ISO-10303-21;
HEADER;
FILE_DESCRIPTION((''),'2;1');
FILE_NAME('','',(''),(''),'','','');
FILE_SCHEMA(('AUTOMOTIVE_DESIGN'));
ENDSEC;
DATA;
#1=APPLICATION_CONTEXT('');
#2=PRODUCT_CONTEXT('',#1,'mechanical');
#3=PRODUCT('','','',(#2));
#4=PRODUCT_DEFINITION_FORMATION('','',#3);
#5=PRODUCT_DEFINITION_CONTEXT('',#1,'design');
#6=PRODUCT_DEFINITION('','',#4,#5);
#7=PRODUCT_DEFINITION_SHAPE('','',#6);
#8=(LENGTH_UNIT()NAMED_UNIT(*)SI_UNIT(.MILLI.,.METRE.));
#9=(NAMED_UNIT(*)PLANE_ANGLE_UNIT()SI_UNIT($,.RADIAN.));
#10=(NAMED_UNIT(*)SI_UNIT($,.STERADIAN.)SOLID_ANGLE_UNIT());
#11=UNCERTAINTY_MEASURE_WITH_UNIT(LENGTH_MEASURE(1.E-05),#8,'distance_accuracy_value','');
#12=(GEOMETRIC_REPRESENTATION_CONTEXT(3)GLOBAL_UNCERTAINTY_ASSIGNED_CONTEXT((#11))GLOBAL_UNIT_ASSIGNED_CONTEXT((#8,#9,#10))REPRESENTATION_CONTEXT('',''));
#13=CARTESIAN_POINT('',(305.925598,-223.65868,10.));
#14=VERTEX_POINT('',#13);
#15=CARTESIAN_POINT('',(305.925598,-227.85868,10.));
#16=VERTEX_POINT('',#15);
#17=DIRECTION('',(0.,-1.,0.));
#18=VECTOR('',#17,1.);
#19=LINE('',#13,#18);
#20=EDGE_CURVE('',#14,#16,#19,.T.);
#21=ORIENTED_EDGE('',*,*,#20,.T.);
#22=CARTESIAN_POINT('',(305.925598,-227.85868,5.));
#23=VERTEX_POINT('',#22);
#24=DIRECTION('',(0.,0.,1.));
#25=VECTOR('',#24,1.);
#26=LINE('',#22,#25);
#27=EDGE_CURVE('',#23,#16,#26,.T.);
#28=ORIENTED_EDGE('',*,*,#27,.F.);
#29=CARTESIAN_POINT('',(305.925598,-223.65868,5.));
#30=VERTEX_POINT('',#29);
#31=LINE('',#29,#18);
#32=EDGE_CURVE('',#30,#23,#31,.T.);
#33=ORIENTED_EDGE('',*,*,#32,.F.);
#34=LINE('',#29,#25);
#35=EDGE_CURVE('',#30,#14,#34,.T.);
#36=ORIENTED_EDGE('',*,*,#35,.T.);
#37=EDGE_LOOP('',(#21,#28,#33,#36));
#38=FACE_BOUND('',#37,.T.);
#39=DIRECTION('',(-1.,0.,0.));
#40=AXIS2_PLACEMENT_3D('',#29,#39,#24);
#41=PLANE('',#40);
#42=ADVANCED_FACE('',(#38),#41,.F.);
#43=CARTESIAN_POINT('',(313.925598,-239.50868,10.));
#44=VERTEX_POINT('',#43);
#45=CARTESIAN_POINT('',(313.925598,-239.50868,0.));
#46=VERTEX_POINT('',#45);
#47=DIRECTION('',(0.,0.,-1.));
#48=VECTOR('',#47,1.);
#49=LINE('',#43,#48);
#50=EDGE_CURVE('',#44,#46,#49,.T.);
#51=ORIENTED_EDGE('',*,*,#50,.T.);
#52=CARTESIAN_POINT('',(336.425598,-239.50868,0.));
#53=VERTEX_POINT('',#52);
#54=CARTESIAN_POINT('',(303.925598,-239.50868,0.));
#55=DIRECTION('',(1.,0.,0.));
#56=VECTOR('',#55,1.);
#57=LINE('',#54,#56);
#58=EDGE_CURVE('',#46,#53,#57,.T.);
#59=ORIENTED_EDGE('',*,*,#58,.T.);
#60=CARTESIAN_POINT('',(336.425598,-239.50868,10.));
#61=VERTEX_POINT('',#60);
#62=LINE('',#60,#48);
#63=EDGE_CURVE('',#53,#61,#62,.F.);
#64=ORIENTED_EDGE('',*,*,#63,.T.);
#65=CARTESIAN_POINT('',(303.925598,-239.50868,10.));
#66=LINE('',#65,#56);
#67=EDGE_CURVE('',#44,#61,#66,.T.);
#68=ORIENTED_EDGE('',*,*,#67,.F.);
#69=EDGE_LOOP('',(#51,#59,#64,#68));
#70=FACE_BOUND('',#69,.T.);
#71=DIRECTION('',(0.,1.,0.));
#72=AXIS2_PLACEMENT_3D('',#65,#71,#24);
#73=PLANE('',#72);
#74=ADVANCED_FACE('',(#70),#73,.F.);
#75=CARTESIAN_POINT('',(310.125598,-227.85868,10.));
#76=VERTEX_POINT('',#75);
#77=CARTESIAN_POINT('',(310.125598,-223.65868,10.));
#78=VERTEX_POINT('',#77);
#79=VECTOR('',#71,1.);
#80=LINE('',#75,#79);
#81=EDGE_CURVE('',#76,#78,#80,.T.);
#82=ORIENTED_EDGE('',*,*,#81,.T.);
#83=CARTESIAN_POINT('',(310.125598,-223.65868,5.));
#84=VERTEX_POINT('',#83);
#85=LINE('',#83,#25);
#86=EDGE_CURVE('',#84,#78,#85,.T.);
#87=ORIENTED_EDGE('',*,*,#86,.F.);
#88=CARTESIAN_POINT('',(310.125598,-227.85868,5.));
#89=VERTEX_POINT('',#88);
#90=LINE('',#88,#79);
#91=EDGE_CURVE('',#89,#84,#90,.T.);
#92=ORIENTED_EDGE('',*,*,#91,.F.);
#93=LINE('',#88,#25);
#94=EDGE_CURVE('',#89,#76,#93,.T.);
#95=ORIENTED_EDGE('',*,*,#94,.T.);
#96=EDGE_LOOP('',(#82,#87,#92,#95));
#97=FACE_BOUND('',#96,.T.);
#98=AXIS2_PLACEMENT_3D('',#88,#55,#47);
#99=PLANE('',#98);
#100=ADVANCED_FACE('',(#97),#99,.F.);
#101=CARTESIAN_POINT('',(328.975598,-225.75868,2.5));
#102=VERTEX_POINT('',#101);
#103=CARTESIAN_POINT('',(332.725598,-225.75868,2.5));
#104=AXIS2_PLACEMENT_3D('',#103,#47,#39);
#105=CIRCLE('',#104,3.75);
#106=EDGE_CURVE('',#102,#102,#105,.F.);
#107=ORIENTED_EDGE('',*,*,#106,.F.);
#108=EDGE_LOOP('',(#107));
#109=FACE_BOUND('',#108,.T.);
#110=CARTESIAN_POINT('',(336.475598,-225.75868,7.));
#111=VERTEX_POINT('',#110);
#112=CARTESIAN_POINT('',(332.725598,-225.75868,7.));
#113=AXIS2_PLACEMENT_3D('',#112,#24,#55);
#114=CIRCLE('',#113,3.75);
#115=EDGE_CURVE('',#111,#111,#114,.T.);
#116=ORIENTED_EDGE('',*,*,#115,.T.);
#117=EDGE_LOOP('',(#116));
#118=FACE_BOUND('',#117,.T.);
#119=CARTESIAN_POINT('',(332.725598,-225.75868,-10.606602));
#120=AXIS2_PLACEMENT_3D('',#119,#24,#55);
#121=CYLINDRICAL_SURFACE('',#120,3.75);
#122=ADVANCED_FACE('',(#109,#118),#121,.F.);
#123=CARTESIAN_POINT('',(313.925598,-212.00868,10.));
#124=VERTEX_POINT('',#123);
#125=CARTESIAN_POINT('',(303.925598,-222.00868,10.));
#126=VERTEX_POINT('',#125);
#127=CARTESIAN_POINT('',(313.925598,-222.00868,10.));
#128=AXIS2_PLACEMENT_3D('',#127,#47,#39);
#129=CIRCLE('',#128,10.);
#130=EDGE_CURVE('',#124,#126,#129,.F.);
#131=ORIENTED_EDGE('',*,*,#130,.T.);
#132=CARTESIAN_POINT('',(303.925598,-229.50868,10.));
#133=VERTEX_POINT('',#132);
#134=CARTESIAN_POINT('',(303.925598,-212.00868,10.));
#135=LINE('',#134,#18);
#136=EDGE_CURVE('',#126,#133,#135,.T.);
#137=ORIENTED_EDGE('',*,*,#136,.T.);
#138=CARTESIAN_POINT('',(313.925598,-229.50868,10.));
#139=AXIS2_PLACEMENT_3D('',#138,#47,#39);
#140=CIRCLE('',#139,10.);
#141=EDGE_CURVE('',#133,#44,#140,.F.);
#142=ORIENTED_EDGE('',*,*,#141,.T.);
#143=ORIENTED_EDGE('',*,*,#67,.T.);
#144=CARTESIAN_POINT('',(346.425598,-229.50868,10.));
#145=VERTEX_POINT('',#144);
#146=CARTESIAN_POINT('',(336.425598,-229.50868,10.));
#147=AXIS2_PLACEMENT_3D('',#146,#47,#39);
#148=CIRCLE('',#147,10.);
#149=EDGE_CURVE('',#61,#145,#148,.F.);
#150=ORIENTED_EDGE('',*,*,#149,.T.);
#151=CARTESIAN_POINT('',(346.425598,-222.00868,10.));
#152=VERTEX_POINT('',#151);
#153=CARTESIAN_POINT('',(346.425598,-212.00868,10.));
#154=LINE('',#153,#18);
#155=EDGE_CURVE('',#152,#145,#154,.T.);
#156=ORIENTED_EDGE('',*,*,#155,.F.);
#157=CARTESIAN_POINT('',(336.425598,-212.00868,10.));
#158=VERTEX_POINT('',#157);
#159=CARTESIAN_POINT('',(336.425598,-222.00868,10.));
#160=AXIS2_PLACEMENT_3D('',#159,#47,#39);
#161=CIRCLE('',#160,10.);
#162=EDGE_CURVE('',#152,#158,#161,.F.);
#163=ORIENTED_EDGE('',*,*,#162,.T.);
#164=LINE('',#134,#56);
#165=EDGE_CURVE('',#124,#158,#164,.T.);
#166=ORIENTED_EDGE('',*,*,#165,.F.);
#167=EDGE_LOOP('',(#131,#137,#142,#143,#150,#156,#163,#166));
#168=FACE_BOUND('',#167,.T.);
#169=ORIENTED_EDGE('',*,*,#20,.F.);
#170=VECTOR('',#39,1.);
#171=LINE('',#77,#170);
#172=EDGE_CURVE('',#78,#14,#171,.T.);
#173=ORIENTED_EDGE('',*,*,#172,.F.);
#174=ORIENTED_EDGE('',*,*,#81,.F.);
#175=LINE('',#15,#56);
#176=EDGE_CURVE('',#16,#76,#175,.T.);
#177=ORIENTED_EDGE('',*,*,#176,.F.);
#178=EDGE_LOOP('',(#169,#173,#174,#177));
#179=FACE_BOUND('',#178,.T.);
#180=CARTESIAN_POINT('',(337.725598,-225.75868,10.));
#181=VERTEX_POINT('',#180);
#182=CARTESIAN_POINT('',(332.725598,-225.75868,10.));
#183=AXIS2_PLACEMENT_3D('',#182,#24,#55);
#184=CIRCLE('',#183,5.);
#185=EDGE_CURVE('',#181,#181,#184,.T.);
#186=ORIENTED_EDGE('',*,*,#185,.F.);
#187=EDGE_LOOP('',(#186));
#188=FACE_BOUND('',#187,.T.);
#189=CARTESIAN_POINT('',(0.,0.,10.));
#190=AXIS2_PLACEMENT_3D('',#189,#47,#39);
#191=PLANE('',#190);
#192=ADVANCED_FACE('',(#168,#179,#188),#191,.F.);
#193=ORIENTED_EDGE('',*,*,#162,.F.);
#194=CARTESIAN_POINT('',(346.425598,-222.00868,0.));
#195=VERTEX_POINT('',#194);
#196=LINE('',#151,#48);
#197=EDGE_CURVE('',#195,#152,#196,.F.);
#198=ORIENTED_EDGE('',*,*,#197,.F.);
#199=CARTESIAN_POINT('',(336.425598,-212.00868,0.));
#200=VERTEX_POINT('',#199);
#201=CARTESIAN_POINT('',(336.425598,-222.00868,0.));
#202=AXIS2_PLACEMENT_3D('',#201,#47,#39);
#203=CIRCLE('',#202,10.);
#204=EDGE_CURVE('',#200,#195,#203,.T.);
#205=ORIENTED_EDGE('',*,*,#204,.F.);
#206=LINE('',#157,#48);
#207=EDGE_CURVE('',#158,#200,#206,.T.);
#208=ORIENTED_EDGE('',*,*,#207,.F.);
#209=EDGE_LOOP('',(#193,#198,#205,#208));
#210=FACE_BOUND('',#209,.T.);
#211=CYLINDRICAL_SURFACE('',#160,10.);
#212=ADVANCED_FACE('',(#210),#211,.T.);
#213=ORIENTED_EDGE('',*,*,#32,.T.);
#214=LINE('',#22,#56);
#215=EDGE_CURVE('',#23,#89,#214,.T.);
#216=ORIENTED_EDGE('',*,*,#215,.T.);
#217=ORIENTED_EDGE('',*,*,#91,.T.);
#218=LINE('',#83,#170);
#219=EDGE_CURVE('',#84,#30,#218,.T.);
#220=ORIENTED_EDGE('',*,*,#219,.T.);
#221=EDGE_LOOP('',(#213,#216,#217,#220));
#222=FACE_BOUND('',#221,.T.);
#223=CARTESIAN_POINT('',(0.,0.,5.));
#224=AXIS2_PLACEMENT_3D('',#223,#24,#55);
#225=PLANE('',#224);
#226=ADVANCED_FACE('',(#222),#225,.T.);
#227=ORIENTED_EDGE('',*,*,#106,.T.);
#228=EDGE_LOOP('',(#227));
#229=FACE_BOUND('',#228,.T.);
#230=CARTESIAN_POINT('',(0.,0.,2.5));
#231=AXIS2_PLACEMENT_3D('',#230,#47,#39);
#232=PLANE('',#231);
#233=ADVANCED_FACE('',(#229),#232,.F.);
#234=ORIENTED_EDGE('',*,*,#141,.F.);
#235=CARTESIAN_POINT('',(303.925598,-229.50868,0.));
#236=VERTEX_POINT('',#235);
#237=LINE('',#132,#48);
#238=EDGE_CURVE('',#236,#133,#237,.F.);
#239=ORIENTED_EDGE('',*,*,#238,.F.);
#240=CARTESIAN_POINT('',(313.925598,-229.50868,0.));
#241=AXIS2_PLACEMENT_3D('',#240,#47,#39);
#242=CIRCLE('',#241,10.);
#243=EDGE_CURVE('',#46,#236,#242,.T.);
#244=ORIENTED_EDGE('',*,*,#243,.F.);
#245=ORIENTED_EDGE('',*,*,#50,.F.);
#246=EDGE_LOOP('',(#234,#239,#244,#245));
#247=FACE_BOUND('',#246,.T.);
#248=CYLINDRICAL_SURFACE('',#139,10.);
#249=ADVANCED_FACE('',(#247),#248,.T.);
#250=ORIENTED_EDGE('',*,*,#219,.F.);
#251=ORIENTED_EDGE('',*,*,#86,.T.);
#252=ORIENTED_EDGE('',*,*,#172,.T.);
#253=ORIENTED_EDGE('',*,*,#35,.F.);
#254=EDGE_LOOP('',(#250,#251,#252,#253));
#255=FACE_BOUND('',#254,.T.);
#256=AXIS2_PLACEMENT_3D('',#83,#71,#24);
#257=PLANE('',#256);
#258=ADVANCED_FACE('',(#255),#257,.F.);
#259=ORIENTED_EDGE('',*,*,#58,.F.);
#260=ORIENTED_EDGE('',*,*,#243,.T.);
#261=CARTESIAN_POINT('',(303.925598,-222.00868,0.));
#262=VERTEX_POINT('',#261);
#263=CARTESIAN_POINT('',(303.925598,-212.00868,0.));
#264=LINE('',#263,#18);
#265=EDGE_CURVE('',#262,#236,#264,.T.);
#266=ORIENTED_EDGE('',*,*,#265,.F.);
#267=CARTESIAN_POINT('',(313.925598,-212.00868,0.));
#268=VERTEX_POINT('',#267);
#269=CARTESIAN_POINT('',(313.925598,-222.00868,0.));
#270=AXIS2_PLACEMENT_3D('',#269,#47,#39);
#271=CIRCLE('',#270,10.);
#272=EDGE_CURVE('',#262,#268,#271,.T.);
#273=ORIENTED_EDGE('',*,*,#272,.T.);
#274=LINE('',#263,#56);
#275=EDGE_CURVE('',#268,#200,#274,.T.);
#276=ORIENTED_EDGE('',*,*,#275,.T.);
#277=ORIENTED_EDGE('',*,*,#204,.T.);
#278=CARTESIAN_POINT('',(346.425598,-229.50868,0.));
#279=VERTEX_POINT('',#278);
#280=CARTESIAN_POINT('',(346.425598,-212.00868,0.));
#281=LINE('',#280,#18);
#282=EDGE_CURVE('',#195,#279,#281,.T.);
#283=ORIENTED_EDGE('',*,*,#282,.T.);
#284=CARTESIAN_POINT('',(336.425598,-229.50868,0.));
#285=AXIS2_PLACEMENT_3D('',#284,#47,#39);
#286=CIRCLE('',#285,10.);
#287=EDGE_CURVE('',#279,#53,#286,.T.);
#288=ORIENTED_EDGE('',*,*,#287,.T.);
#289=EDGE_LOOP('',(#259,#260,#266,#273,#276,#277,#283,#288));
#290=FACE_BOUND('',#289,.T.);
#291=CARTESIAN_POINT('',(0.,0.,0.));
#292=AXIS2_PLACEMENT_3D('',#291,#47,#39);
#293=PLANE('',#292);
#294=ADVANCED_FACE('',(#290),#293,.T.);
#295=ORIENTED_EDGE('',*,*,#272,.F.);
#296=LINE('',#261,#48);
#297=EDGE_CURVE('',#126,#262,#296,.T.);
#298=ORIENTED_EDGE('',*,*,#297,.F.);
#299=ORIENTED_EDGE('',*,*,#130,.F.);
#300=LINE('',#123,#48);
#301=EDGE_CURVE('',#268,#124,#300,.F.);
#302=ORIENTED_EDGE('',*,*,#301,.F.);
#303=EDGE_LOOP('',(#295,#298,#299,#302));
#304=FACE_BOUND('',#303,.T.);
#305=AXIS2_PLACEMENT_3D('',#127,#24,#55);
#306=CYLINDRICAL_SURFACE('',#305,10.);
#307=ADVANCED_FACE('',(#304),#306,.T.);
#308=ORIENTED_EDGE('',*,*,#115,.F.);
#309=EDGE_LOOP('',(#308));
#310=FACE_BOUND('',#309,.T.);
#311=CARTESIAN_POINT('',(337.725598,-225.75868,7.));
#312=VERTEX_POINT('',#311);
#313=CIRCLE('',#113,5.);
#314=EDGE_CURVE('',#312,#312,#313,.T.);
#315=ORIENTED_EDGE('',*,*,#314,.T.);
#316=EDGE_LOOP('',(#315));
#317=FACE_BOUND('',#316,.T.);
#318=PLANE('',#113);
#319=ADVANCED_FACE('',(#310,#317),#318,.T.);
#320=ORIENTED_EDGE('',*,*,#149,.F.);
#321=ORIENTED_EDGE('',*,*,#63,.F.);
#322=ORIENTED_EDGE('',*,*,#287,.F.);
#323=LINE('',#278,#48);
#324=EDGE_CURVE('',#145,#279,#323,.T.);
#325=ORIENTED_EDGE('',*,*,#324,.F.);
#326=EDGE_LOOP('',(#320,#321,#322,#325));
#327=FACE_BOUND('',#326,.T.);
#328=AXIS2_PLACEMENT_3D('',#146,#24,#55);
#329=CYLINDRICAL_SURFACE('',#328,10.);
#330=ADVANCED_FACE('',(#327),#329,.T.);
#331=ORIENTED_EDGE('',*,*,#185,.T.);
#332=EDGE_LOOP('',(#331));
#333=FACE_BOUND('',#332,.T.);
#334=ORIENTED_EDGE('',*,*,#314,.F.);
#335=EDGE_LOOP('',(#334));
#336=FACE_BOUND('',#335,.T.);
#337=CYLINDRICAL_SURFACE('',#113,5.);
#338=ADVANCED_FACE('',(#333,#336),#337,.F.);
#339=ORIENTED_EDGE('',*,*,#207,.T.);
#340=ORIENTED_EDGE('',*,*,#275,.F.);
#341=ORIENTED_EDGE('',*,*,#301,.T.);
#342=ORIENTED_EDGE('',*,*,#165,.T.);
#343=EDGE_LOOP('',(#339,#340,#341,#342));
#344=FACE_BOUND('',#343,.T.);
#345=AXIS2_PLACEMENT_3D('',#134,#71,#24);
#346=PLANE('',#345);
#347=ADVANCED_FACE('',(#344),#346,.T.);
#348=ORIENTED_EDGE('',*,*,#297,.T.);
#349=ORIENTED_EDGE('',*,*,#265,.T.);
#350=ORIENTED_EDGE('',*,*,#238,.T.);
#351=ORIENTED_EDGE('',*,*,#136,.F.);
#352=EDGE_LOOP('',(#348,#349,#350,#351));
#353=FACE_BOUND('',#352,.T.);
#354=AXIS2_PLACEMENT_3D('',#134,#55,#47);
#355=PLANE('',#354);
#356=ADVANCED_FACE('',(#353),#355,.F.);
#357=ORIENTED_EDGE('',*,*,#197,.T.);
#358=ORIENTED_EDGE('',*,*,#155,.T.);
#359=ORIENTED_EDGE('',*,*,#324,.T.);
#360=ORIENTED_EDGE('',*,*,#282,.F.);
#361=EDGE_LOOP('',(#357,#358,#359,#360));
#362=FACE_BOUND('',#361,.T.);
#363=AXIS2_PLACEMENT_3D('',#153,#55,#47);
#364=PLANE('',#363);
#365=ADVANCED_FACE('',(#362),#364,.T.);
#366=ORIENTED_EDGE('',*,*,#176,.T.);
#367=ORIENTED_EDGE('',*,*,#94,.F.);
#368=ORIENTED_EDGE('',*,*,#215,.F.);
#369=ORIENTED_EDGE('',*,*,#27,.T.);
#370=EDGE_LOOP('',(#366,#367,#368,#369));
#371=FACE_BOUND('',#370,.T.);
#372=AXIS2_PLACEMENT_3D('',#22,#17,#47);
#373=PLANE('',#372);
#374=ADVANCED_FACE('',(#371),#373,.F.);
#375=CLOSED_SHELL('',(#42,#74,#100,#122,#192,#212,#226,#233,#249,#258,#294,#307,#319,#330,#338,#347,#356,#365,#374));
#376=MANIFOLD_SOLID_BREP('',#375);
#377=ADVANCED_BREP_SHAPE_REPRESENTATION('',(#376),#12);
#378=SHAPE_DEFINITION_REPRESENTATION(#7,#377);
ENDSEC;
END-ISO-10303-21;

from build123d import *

# Parameters (mm, degrees)
SKETCH1_W           = 42.5
SKETCH1_H           = 27.5
BOSS_EXTRUDE1_DEPTH = 10
SKETCH2_R           = 5
CUT_EXTRUDE1_DEPTH  = 3
SKETCH3_W           = 4.2
SKETCH3_H           = 4.2
CUT_EXTRUDE2_DEPTH  = 5
SKETCH4_R           = 3.75
CUT_EXTRUDE3_DEPTH  = 7.5
FILLET1_R           = 10


with BuildPart() as part:
    # Sketch1 → Boss-Extrude1 (new body)
    with BuildSketch(Plane.XY):
        with Locations((325.175597792, -225.758680099)):
            Rectangle(SKETCH1_W, SKETCH1_H)
    extrude(amount=BOSS_EXTRUDE1_DEPTH)

    # Sketch2 → Cut-Extrude1 (cut)
    with BuildSketch(Plane.XY.offset(10)):
        with Locations((332.725597792, -225.758680099)):
            Circle(SKETCH2_R)
    extrude(amount=-CUT_EXTRUDE1_DEPTH, mode=Mode.SUBTRACT)

    # Sketch3 → Cut-Extrude2 (cut)
    with BuildSketch(Plane.XY.offset(10)):
        with Locations((308.025597792, -225.758680099)):
            Rectangle(SKETCH3_W, SKETCH3_H)
    extrude(amount=-CUT_EXTRUDE2_DEPTH, mode=Mode.SUBTRACT)

    # Sketch4 → Cut-Extrude3 (cut)
    with BuildSketch(Plane.XY.offset(10)):
        with Locations((332.725597792, -225.758680099)):
            Circle(SKETCH4_R)
    extrude(amount=-CUT_EXTRUDE3_DEPTH, mode=Mode.SUBTRACT)

    # Fillet1
    fillet1_edges = [part.edges().sort_by_distance(p)[0] for p in [
        (303.925597792, -212.008680099, 5),
        (303.925597792, -239.508680099, 5),
        (346.425597792, -239.508680099, 5),
        (346.425597792, -212.008680099, 5),
    ]]
    fillet(fillet1_edges, radius=FILLET1_R)


solid = part.part
